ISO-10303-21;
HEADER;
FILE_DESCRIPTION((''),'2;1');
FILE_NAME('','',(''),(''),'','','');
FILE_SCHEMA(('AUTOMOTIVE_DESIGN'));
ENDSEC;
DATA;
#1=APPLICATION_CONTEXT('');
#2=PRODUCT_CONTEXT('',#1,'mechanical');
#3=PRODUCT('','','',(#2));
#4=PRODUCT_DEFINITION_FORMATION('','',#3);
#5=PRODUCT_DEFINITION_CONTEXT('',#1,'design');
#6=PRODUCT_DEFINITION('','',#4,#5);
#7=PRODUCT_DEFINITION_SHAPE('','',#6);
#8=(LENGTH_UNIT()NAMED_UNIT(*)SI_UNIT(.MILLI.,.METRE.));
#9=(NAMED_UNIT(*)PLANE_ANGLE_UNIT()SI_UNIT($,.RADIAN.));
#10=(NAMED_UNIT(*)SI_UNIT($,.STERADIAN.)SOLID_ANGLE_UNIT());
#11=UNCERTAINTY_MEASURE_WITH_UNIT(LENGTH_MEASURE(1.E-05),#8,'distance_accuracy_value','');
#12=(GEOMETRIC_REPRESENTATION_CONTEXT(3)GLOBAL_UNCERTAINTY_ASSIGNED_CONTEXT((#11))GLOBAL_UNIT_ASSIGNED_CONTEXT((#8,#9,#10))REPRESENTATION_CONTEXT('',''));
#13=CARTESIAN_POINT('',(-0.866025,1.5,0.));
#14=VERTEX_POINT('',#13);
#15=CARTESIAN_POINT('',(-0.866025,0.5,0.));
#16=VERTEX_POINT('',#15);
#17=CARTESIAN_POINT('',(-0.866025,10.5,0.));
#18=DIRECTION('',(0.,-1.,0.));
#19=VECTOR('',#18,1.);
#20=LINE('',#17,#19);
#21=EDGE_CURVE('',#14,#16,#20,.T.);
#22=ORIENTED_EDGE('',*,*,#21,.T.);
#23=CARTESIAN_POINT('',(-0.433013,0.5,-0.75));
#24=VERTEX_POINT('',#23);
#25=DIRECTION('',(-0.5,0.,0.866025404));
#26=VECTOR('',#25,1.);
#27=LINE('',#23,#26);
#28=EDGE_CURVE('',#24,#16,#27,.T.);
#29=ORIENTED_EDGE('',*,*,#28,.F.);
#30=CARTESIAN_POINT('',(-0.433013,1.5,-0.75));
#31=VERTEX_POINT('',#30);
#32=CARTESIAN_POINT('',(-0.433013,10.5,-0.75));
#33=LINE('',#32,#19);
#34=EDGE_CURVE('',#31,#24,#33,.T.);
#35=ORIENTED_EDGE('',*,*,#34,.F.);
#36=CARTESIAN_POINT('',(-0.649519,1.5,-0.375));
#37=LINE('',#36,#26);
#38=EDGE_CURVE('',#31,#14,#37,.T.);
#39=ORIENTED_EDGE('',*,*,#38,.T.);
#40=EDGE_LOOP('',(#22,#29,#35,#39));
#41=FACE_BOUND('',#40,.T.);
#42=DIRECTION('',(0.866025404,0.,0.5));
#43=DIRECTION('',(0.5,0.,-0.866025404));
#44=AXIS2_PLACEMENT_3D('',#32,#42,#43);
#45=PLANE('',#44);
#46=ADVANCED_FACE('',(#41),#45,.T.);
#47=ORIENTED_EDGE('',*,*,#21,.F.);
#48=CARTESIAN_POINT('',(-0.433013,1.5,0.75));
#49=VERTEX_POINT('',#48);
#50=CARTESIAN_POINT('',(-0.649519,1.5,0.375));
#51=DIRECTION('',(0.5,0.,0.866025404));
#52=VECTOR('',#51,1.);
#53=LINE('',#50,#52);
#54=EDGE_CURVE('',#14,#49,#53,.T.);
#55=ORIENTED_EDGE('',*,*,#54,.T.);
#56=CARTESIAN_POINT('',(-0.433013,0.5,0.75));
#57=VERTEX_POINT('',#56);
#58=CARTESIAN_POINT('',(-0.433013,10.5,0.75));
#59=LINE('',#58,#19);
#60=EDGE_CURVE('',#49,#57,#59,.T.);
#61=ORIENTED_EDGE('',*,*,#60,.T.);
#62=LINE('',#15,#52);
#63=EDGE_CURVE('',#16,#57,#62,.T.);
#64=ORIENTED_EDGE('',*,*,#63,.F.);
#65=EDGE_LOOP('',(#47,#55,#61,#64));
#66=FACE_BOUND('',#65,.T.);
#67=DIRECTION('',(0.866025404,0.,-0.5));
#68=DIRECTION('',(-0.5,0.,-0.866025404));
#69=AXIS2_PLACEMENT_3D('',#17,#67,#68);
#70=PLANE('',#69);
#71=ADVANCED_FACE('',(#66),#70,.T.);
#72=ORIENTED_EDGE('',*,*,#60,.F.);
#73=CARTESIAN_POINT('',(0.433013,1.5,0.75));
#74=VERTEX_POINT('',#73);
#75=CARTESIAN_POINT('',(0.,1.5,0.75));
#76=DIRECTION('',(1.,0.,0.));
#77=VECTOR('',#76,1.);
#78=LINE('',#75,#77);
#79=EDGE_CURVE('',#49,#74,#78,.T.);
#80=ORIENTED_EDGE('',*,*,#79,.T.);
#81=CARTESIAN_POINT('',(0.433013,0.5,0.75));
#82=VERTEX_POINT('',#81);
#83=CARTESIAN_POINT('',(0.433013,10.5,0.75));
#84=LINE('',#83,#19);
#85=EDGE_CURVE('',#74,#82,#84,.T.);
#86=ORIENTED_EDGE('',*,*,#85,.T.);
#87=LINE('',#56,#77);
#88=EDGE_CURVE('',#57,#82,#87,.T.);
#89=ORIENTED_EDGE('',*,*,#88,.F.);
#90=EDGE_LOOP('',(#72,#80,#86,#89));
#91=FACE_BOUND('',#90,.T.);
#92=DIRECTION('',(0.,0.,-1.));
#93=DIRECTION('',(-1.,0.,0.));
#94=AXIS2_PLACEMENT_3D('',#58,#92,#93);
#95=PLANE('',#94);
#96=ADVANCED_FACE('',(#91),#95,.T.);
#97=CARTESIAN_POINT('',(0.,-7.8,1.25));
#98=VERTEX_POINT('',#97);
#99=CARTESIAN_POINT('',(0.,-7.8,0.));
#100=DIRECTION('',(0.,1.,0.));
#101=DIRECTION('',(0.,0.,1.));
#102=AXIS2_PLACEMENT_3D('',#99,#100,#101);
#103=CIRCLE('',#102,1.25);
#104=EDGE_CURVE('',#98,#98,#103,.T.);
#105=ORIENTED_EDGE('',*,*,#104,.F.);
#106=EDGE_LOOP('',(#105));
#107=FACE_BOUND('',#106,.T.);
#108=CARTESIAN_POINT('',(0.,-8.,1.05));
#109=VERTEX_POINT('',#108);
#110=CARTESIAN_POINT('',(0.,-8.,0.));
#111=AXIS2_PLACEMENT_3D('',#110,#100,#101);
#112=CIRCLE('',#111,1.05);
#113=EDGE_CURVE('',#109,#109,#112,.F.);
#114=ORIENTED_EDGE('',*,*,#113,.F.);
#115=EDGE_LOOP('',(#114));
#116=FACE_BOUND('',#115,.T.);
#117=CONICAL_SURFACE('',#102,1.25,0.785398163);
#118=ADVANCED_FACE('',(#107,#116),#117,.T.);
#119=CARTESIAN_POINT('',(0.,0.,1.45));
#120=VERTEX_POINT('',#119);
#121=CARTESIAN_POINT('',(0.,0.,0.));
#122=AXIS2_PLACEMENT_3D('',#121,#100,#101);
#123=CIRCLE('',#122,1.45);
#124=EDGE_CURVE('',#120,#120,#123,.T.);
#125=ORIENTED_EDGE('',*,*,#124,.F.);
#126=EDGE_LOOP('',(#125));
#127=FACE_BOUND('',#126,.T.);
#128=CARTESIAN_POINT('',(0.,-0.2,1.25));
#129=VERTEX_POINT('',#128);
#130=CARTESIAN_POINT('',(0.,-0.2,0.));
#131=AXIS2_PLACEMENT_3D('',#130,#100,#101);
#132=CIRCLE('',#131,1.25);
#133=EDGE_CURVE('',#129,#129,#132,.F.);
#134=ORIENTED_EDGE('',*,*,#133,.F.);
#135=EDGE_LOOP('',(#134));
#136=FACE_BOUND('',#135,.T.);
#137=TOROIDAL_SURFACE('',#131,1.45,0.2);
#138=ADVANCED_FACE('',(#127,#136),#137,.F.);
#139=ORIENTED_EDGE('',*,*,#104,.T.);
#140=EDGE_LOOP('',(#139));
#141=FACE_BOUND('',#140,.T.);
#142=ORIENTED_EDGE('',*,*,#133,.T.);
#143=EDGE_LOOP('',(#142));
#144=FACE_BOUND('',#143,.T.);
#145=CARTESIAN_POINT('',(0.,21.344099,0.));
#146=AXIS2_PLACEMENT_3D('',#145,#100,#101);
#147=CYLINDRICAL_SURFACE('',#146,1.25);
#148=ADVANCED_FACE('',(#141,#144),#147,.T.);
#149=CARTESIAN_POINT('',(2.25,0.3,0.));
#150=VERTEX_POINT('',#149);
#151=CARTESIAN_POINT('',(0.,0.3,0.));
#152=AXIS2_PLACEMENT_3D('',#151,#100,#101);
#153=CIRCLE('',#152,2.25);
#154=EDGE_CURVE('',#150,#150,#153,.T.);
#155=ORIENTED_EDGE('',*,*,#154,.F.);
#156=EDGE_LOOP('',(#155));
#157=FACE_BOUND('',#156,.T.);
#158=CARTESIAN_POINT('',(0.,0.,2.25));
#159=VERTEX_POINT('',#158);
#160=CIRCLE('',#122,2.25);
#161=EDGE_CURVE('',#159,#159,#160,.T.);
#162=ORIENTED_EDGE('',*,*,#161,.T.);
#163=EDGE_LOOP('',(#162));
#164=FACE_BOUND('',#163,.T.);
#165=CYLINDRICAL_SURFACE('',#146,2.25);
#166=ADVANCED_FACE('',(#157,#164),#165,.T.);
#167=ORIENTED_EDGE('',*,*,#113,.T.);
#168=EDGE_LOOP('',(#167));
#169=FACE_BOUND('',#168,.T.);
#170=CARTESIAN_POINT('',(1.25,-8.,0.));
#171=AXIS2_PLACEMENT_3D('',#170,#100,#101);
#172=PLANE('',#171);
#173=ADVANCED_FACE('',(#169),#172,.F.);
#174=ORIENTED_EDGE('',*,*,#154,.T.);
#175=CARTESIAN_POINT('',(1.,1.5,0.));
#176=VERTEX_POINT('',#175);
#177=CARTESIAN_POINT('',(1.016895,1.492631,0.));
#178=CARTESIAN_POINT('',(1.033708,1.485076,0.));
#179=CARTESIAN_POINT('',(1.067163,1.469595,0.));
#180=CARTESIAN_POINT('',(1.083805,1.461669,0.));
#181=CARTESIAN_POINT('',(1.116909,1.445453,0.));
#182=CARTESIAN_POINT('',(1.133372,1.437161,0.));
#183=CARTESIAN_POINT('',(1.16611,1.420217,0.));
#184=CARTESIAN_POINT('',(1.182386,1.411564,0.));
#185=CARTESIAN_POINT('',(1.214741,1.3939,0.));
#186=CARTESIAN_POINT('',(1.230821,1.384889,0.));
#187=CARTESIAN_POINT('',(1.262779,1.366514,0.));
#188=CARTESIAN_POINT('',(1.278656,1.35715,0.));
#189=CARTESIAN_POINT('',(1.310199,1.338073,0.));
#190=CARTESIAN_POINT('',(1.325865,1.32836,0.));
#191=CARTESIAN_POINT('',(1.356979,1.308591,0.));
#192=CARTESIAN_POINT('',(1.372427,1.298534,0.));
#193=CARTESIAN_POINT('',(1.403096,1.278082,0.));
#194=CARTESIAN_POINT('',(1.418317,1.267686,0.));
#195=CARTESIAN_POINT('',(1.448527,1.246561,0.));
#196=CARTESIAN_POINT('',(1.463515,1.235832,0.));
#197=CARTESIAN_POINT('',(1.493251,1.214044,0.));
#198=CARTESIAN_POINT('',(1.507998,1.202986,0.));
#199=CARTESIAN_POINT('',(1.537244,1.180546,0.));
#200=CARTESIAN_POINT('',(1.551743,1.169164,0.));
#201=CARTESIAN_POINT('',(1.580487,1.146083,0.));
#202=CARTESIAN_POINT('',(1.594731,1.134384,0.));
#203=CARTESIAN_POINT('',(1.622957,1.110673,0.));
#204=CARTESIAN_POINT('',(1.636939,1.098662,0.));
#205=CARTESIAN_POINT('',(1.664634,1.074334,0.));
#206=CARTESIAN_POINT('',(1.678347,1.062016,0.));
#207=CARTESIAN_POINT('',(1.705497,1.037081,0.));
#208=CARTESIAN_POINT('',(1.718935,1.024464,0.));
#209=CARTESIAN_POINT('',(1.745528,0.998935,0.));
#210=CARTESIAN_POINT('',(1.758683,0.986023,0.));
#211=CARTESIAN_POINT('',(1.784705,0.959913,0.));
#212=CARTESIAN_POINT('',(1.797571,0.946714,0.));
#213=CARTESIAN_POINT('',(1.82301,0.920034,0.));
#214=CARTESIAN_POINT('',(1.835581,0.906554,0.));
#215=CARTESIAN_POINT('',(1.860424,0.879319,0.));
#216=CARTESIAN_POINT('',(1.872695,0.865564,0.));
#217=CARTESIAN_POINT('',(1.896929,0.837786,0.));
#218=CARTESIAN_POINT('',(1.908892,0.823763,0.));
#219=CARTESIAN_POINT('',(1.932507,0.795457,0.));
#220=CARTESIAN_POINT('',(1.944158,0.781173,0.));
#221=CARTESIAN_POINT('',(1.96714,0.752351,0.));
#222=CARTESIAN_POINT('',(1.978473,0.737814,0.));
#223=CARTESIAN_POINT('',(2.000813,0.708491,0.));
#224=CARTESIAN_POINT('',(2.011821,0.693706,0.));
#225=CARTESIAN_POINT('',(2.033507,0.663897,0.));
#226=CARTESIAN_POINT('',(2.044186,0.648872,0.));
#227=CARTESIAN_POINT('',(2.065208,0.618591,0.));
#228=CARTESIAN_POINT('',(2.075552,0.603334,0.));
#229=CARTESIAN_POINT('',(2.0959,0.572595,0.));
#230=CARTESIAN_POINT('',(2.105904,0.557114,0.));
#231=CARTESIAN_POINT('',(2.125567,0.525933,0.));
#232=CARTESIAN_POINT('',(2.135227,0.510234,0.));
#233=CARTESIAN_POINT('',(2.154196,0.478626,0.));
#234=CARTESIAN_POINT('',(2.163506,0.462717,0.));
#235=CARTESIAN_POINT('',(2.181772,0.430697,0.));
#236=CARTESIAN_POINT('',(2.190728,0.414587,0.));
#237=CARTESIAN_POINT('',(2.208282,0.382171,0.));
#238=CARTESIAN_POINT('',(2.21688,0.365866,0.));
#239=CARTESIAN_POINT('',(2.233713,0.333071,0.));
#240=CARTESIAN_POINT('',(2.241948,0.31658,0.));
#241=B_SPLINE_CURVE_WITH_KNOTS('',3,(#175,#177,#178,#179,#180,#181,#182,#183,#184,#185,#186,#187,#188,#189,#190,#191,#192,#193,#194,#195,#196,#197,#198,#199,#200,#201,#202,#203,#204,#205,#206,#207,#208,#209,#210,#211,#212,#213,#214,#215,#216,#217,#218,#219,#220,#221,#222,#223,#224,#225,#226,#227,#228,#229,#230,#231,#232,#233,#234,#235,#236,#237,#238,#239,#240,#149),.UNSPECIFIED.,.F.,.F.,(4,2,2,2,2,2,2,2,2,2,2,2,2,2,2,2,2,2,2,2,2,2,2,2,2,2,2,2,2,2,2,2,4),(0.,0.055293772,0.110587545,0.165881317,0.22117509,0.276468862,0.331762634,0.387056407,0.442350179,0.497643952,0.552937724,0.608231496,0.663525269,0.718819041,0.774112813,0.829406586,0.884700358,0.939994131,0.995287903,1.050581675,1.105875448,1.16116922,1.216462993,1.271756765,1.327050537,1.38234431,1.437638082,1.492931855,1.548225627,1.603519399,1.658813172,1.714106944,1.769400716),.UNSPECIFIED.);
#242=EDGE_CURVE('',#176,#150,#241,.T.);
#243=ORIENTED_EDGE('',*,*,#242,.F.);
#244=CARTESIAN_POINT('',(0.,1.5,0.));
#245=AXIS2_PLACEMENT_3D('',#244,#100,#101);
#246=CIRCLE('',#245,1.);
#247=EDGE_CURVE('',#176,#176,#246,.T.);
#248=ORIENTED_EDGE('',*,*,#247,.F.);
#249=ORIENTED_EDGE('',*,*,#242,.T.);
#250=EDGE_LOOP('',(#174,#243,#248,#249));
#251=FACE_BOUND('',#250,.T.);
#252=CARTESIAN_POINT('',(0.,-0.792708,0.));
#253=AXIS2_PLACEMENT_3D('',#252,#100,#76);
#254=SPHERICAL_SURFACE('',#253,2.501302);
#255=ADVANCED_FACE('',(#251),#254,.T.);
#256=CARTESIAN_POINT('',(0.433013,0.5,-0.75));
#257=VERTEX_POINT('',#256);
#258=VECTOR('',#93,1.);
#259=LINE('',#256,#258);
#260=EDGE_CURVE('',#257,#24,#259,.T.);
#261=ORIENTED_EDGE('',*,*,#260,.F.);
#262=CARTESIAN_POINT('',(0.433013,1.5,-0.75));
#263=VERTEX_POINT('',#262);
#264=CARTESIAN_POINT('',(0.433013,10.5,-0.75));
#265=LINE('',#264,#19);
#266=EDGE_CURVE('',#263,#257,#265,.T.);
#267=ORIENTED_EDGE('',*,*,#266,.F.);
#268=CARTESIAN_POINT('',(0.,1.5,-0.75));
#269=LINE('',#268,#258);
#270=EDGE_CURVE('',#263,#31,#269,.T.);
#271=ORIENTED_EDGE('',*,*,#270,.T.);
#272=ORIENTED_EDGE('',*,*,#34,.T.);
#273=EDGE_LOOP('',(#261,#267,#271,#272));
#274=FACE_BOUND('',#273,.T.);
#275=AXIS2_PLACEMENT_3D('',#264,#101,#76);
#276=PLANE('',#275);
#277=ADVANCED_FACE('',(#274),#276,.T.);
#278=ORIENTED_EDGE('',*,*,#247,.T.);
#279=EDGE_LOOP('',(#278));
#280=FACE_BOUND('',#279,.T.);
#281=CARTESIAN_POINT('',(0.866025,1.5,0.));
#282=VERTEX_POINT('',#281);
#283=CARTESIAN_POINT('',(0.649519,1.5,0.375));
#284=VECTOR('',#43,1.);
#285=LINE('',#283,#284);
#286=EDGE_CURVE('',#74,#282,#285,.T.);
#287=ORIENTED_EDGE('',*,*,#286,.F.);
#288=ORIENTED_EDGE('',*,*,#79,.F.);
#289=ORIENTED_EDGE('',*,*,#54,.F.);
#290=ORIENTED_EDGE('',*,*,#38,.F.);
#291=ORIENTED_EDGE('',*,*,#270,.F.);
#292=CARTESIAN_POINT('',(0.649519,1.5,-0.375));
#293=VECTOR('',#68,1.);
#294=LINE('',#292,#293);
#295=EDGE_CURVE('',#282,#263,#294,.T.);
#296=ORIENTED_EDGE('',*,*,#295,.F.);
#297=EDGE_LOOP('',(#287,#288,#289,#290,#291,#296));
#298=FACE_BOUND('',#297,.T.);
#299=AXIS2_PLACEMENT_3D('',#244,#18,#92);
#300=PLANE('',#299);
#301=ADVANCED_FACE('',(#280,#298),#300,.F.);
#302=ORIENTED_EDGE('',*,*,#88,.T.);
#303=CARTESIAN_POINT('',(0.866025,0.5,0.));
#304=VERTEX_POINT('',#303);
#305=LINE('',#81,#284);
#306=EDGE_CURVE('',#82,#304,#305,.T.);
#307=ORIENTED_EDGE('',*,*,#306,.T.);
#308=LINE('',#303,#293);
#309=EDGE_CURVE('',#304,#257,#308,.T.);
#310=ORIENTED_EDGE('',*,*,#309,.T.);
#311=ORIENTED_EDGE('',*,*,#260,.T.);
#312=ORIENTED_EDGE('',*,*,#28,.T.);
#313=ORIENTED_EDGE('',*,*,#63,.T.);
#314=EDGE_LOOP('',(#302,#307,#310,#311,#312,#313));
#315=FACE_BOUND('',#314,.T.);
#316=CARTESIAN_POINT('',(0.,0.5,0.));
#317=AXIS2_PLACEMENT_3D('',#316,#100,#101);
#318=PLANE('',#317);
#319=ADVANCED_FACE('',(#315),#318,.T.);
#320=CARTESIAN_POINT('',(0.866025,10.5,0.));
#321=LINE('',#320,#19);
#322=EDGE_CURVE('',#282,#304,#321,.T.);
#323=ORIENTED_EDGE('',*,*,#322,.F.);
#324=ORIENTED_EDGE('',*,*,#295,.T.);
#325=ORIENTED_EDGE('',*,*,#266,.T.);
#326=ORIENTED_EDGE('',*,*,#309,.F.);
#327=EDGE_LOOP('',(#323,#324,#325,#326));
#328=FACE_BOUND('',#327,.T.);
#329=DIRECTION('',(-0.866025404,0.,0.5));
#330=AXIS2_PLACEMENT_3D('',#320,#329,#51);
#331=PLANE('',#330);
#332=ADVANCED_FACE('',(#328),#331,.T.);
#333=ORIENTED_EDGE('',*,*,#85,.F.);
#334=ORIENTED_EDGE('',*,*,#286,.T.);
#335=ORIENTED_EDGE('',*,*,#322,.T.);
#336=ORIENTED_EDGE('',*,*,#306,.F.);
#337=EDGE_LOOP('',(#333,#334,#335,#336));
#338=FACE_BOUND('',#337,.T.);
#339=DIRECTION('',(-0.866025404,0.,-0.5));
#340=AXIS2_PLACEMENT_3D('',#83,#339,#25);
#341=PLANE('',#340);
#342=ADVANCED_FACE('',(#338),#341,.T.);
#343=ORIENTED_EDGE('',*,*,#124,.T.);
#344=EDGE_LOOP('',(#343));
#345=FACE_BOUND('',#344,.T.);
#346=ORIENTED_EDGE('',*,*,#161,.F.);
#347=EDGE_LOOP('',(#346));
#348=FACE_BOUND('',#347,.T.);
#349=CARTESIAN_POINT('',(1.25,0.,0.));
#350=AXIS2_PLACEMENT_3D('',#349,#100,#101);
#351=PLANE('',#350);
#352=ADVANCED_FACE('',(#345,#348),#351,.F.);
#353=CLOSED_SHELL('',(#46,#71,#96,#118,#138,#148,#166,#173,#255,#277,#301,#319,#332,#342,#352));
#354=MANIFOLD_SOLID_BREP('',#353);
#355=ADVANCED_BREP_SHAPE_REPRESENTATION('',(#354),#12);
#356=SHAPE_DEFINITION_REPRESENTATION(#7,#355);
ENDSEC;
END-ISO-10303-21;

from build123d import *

# Parameters (mm, degrees)
CHAMFER1_SIZE      = 0.2
CUT_EXTRUDE1_START = 0.5
CUT_EXTRUDE1_DEPTH = 10
FILLET1_R          = 0.2


with BuildPart() as part:
    # Sketch1 → Revolve1 (revolve)
    with BuildSketch(Plane.XY, mode=Mode.PRIVATE) as revolve1_sk:
        with BuildLine():
            Line((1.25, 0), (2.25, 0))
            Line((2.25, 0), (2.25, 0.3))
            ThreePointArc((2.25, 0.3), (1.73223122, 1.011699188), (1, 1.5))
            Line((1, 1.5), (0, 1.5))
            Line((0, 1.5), (0, -8))
            Line((0, -8), (1.25, -8))
            Line((1.25, -8), (1.25, 0))
        make_face()
    revolve(revolve1_sk.sketch.rotate(Axis((0, 21.344098617, 0), (0, -1, 0)), 90), axis=Axis((0, 21.344098617, 0), (0, -1, 0)))

    # Chamfer1
    chamfer1_edges = [part.edges().sort_by_distance(p)[0] for p in [
        (0, -8, -1.25),
    ]]
    chamfer(chamfer1_edges, length=CHAMFER1_SIZE)

    # Sketch2 → Cut-Extrude1 (cut)
    with BuildSketch(Plane(origin=(0, 0, 0), x_dir=(1, 0, 0), z_dir=(0, 1, 0)).offset(CUT_EXTRUDE1_START)):
        Polygon((0.433012702, -0.75), (0.866025404, 0), (0.433012702, 0.75), (-0.433012702, 0.75), (-0.866025404, 0), (-0.433012702, -0.75), align=None)
    extrude(amount=CUT_EXTRUDE1_DEPTH, mode=Mode.SUBTRACT)

    # Fillet1
    fillet1_edges = [part.edges().sort_by_distance(p)[0] for p in [
        (0, 0, -1.25),
    ]]
    fillet(fillet1_edges, radius=FILLET1_R)


solid = part.part
